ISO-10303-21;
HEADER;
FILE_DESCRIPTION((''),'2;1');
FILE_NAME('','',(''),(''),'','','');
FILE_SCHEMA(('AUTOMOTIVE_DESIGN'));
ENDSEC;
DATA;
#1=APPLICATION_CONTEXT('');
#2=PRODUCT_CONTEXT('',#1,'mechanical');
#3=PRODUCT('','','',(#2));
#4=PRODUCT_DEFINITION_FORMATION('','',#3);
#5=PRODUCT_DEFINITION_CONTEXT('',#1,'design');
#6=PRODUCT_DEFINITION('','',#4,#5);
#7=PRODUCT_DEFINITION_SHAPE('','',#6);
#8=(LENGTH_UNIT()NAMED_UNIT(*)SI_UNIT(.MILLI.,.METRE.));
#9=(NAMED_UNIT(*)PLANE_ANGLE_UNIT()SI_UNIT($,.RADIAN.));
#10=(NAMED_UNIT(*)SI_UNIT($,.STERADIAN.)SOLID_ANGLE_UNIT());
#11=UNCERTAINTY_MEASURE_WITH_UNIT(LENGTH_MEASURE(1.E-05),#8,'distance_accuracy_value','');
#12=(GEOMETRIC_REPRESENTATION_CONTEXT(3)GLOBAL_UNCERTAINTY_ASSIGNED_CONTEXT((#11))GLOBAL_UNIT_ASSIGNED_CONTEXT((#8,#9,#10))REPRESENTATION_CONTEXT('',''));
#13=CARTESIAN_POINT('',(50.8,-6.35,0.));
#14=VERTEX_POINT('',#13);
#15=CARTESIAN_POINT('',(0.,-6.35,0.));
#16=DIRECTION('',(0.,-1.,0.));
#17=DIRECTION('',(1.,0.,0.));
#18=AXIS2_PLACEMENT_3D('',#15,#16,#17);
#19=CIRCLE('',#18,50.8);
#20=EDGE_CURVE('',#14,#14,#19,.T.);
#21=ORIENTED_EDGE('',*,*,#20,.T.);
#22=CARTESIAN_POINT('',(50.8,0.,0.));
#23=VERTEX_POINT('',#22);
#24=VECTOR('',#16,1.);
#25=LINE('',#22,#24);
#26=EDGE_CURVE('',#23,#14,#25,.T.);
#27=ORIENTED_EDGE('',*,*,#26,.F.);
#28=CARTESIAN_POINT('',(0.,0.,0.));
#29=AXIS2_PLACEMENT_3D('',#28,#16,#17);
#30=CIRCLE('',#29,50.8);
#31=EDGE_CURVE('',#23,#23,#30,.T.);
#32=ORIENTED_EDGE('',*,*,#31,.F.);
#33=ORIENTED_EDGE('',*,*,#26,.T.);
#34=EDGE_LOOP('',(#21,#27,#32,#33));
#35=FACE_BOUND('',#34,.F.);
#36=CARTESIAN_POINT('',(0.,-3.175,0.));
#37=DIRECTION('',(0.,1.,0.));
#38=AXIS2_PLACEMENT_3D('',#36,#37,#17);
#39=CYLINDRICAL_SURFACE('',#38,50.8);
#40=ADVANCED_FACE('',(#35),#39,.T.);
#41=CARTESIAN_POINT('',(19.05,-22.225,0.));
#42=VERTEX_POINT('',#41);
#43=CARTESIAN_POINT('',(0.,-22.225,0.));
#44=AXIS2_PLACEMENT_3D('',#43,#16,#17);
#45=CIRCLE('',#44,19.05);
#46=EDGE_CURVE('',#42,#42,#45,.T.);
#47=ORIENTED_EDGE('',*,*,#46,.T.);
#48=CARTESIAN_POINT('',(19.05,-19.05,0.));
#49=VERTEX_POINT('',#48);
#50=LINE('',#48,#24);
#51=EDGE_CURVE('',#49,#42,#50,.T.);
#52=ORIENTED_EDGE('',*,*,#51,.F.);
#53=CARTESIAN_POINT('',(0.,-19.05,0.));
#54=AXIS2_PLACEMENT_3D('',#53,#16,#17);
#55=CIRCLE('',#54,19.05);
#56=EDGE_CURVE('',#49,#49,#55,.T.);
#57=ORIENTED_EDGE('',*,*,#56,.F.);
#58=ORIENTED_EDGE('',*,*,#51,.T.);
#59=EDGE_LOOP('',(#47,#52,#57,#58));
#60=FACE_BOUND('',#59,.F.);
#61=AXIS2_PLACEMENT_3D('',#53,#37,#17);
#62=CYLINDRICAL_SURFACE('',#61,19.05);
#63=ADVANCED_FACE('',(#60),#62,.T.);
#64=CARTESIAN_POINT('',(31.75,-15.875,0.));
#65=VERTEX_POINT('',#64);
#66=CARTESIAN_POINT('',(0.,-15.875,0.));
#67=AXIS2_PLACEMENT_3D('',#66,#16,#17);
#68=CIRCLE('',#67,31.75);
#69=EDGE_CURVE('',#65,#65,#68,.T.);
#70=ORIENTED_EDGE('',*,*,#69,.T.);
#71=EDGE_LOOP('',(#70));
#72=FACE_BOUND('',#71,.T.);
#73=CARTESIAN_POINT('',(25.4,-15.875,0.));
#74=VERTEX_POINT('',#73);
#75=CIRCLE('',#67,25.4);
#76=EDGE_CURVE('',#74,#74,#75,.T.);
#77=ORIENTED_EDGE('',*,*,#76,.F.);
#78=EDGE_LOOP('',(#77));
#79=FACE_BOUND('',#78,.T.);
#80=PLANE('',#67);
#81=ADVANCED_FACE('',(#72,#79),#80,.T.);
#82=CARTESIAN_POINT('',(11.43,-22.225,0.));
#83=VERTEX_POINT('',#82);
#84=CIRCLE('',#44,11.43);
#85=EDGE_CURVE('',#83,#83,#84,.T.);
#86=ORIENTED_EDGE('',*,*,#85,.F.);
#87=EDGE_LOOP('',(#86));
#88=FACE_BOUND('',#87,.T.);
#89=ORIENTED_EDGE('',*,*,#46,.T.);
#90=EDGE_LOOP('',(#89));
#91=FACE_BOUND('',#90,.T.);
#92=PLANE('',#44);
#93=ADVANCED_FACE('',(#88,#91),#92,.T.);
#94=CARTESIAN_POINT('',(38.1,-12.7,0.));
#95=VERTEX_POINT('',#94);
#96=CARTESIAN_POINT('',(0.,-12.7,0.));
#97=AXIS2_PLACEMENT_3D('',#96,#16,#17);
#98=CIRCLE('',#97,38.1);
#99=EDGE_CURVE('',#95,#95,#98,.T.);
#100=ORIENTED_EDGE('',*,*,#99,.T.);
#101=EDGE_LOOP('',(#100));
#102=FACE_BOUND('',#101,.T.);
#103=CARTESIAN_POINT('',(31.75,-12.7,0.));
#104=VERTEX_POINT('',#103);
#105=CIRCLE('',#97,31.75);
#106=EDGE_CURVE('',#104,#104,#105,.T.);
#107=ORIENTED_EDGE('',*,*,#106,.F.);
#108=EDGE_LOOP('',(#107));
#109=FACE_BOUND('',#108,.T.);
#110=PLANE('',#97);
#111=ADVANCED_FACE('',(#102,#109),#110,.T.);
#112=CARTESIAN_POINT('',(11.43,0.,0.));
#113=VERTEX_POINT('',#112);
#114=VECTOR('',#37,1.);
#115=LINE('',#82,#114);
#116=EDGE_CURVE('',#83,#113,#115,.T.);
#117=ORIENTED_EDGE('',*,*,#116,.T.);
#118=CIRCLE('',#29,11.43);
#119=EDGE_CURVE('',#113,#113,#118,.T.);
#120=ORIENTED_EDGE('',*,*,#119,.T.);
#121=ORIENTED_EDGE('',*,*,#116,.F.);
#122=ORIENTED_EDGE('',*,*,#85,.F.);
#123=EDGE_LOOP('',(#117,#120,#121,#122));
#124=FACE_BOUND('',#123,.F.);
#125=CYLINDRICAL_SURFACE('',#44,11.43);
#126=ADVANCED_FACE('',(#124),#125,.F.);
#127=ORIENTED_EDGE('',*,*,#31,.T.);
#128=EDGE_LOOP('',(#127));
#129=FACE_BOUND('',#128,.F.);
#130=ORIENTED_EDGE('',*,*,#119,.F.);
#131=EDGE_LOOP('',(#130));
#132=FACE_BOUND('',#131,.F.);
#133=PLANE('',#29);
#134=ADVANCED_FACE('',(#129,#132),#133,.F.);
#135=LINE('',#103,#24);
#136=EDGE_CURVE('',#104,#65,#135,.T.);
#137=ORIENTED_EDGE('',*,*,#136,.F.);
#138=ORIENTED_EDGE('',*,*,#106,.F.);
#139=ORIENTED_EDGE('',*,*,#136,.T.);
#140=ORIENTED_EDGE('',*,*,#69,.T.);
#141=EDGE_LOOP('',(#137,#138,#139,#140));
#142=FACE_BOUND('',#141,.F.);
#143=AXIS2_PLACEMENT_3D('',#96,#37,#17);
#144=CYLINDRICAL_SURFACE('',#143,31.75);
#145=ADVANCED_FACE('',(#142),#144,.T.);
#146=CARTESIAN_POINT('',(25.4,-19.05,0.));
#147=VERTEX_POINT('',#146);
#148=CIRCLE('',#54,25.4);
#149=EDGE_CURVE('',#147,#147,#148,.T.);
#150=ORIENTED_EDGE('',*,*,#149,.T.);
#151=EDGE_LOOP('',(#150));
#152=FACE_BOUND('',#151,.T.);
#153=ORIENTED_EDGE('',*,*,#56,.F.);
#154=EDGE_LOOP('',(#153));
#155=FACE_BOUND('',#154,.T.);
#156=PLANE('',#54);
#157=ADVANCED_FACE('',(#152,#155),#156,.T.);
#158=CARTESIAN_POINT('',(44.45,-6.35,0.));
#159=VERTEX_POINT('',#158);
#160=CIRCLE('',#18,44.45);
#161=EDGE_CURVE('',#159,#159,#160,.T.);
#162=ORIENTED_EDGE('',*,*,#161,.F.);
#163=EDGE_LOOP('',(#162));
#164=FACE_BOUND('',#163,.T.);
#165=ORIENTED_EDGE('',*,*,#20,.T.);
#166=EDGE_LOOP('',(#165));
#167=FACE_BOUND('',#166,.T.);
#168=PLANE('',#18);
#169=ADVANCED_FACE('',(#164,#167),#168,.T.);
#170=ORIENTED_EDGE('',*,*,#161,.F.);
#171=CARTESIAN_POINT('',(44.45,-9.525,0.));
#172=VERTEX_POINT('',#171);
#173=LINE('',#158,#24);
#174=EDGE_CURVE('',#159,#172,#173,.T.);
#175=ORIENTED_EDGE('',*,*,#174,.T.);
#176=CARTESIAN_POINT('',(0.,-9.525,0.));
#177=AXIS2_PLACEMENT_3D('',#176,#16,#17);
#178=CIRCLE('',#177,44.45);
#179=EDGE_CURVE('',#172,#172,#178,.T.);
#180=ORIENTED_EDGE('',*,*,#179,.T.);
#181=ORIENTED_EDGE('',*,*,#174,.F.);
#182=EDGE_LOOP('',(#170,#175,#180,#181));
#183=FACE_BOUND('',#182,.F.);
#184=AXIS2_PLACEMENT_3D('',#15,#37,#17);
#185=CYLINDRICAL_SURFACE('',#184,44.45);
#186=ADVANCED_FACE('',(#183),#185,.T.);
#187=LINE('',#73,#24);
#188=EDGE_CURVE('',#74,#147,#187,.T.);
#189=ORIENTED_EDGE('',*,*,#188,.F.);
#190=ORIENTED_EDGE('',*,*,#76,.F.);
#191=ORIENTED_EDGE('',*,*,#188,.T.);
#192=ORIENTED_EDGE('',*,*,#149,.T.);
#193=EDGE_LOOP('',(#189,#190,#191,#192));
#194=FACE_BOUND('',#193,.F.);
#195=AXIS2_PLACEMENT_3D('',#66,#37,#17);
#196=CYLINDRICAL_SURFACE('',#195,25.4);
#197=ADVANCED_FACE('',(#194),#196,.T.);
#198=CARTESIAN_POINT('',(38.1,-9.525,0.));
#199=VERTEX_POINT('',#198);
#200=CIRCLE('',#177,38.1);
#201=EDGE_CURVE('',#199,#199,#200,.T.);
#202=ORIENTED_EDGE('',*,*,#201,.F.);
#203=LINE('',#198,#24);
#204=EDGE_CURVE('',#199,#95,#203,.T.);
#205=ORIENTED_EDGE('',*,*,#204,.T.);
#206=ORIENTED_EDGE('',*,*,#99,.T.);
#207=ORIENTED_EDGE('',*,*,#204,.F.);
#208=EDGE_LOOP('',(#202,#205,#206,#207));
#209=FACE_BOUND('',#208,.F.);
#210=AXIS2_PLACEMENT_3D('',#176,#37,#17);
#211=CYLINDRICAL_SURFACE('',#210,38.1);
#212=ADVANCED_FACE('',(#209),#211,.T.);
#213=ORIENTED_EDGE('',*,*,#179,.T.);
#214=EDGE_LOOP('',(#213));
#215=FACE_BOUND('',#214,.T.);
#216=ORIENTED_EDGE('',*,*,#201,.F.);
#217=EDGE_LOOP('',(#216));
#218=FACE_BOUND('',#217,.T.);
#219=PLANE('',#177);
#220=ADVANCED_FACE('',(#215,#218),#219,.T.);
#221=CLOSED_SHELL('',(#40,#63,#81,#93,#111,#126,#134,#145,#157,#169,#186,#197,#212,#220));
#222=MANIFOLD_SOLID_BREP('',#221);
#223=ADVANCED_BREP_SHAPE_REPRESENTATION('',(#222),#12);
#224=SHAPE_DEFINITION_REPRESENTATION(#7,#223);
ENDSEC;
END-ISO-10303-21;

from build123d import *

# Parameters (mm, degrees)
F0_R      = 50.8
F1_DEPTH  = 3.175
F2_R      = 50.8
F3_DEPTH  = 3.175
F4_R      = 44.45
F5_DEPTH  = 3.175
F6_R      = 38.1
F7_DEPTH  = 3.175
F8_R      = 31.75
F9_DEPTH  = 3.175
F10_R     = 25.4
F11_DEPTH = 3.175
F12_R     = 19.05
F13_DEPTH = 3.175
F14_R     = 11.43
F15_DEPTH = 22.225


with BuildPart() as f1:
    # F0 (on Front) → F1 (new body)
    with BuildSketch(Plane.XZ):
        Circle(F0_R)
    extrude(amount=F1_DEPTH)

    # F2 (on face) → F3 (join)
    with BuildSketch(Plane.XZ.offset(3.175)):
        Circle(F2_R)
    extrude(amount=F3_DEPTH)

    # F4 (on face) → F5 (join)
    with BuildSketch(Plane.XZ.offset(6.35)):
        Circle(F4_R)
    extrude(amount=F5_DEPTH)

    # F6 (on face) → F7 (join)
    with BuildSketch(Plane.XZ.offset(9.525)):
        Circle(F6_R)
    extrude(amount=F7_DEPTH)

    # F8 (on face) → F9 (join)
    with BuildSketch(Plane.XZ.offset(12.7)):
        Circle(F8_R)
    extrude(amount=F9_DEPTH)

    # F10 (on face) → F11 (join)
    with BuildSketch(Plane.XZ.offset(15.875)):
        Circle(F10_R)
    extrude(amount=F11_DEPTH)

    # F12 (on face) → F13 (join)
    with BuildSketch(Plane.XZ.offset(19.05)):
        Circle(F12_R)
    extrude(amount=F13_DEPTH)

    # F14 (on face) → F15 (cut)
    with BuildSketch(Plane.XZ.offset(22.225)):
        Circle(F14_R)
    extrude(amount=-F15_DEPTH, mode=Mode.SUBTRACT)


solid = f1.part
